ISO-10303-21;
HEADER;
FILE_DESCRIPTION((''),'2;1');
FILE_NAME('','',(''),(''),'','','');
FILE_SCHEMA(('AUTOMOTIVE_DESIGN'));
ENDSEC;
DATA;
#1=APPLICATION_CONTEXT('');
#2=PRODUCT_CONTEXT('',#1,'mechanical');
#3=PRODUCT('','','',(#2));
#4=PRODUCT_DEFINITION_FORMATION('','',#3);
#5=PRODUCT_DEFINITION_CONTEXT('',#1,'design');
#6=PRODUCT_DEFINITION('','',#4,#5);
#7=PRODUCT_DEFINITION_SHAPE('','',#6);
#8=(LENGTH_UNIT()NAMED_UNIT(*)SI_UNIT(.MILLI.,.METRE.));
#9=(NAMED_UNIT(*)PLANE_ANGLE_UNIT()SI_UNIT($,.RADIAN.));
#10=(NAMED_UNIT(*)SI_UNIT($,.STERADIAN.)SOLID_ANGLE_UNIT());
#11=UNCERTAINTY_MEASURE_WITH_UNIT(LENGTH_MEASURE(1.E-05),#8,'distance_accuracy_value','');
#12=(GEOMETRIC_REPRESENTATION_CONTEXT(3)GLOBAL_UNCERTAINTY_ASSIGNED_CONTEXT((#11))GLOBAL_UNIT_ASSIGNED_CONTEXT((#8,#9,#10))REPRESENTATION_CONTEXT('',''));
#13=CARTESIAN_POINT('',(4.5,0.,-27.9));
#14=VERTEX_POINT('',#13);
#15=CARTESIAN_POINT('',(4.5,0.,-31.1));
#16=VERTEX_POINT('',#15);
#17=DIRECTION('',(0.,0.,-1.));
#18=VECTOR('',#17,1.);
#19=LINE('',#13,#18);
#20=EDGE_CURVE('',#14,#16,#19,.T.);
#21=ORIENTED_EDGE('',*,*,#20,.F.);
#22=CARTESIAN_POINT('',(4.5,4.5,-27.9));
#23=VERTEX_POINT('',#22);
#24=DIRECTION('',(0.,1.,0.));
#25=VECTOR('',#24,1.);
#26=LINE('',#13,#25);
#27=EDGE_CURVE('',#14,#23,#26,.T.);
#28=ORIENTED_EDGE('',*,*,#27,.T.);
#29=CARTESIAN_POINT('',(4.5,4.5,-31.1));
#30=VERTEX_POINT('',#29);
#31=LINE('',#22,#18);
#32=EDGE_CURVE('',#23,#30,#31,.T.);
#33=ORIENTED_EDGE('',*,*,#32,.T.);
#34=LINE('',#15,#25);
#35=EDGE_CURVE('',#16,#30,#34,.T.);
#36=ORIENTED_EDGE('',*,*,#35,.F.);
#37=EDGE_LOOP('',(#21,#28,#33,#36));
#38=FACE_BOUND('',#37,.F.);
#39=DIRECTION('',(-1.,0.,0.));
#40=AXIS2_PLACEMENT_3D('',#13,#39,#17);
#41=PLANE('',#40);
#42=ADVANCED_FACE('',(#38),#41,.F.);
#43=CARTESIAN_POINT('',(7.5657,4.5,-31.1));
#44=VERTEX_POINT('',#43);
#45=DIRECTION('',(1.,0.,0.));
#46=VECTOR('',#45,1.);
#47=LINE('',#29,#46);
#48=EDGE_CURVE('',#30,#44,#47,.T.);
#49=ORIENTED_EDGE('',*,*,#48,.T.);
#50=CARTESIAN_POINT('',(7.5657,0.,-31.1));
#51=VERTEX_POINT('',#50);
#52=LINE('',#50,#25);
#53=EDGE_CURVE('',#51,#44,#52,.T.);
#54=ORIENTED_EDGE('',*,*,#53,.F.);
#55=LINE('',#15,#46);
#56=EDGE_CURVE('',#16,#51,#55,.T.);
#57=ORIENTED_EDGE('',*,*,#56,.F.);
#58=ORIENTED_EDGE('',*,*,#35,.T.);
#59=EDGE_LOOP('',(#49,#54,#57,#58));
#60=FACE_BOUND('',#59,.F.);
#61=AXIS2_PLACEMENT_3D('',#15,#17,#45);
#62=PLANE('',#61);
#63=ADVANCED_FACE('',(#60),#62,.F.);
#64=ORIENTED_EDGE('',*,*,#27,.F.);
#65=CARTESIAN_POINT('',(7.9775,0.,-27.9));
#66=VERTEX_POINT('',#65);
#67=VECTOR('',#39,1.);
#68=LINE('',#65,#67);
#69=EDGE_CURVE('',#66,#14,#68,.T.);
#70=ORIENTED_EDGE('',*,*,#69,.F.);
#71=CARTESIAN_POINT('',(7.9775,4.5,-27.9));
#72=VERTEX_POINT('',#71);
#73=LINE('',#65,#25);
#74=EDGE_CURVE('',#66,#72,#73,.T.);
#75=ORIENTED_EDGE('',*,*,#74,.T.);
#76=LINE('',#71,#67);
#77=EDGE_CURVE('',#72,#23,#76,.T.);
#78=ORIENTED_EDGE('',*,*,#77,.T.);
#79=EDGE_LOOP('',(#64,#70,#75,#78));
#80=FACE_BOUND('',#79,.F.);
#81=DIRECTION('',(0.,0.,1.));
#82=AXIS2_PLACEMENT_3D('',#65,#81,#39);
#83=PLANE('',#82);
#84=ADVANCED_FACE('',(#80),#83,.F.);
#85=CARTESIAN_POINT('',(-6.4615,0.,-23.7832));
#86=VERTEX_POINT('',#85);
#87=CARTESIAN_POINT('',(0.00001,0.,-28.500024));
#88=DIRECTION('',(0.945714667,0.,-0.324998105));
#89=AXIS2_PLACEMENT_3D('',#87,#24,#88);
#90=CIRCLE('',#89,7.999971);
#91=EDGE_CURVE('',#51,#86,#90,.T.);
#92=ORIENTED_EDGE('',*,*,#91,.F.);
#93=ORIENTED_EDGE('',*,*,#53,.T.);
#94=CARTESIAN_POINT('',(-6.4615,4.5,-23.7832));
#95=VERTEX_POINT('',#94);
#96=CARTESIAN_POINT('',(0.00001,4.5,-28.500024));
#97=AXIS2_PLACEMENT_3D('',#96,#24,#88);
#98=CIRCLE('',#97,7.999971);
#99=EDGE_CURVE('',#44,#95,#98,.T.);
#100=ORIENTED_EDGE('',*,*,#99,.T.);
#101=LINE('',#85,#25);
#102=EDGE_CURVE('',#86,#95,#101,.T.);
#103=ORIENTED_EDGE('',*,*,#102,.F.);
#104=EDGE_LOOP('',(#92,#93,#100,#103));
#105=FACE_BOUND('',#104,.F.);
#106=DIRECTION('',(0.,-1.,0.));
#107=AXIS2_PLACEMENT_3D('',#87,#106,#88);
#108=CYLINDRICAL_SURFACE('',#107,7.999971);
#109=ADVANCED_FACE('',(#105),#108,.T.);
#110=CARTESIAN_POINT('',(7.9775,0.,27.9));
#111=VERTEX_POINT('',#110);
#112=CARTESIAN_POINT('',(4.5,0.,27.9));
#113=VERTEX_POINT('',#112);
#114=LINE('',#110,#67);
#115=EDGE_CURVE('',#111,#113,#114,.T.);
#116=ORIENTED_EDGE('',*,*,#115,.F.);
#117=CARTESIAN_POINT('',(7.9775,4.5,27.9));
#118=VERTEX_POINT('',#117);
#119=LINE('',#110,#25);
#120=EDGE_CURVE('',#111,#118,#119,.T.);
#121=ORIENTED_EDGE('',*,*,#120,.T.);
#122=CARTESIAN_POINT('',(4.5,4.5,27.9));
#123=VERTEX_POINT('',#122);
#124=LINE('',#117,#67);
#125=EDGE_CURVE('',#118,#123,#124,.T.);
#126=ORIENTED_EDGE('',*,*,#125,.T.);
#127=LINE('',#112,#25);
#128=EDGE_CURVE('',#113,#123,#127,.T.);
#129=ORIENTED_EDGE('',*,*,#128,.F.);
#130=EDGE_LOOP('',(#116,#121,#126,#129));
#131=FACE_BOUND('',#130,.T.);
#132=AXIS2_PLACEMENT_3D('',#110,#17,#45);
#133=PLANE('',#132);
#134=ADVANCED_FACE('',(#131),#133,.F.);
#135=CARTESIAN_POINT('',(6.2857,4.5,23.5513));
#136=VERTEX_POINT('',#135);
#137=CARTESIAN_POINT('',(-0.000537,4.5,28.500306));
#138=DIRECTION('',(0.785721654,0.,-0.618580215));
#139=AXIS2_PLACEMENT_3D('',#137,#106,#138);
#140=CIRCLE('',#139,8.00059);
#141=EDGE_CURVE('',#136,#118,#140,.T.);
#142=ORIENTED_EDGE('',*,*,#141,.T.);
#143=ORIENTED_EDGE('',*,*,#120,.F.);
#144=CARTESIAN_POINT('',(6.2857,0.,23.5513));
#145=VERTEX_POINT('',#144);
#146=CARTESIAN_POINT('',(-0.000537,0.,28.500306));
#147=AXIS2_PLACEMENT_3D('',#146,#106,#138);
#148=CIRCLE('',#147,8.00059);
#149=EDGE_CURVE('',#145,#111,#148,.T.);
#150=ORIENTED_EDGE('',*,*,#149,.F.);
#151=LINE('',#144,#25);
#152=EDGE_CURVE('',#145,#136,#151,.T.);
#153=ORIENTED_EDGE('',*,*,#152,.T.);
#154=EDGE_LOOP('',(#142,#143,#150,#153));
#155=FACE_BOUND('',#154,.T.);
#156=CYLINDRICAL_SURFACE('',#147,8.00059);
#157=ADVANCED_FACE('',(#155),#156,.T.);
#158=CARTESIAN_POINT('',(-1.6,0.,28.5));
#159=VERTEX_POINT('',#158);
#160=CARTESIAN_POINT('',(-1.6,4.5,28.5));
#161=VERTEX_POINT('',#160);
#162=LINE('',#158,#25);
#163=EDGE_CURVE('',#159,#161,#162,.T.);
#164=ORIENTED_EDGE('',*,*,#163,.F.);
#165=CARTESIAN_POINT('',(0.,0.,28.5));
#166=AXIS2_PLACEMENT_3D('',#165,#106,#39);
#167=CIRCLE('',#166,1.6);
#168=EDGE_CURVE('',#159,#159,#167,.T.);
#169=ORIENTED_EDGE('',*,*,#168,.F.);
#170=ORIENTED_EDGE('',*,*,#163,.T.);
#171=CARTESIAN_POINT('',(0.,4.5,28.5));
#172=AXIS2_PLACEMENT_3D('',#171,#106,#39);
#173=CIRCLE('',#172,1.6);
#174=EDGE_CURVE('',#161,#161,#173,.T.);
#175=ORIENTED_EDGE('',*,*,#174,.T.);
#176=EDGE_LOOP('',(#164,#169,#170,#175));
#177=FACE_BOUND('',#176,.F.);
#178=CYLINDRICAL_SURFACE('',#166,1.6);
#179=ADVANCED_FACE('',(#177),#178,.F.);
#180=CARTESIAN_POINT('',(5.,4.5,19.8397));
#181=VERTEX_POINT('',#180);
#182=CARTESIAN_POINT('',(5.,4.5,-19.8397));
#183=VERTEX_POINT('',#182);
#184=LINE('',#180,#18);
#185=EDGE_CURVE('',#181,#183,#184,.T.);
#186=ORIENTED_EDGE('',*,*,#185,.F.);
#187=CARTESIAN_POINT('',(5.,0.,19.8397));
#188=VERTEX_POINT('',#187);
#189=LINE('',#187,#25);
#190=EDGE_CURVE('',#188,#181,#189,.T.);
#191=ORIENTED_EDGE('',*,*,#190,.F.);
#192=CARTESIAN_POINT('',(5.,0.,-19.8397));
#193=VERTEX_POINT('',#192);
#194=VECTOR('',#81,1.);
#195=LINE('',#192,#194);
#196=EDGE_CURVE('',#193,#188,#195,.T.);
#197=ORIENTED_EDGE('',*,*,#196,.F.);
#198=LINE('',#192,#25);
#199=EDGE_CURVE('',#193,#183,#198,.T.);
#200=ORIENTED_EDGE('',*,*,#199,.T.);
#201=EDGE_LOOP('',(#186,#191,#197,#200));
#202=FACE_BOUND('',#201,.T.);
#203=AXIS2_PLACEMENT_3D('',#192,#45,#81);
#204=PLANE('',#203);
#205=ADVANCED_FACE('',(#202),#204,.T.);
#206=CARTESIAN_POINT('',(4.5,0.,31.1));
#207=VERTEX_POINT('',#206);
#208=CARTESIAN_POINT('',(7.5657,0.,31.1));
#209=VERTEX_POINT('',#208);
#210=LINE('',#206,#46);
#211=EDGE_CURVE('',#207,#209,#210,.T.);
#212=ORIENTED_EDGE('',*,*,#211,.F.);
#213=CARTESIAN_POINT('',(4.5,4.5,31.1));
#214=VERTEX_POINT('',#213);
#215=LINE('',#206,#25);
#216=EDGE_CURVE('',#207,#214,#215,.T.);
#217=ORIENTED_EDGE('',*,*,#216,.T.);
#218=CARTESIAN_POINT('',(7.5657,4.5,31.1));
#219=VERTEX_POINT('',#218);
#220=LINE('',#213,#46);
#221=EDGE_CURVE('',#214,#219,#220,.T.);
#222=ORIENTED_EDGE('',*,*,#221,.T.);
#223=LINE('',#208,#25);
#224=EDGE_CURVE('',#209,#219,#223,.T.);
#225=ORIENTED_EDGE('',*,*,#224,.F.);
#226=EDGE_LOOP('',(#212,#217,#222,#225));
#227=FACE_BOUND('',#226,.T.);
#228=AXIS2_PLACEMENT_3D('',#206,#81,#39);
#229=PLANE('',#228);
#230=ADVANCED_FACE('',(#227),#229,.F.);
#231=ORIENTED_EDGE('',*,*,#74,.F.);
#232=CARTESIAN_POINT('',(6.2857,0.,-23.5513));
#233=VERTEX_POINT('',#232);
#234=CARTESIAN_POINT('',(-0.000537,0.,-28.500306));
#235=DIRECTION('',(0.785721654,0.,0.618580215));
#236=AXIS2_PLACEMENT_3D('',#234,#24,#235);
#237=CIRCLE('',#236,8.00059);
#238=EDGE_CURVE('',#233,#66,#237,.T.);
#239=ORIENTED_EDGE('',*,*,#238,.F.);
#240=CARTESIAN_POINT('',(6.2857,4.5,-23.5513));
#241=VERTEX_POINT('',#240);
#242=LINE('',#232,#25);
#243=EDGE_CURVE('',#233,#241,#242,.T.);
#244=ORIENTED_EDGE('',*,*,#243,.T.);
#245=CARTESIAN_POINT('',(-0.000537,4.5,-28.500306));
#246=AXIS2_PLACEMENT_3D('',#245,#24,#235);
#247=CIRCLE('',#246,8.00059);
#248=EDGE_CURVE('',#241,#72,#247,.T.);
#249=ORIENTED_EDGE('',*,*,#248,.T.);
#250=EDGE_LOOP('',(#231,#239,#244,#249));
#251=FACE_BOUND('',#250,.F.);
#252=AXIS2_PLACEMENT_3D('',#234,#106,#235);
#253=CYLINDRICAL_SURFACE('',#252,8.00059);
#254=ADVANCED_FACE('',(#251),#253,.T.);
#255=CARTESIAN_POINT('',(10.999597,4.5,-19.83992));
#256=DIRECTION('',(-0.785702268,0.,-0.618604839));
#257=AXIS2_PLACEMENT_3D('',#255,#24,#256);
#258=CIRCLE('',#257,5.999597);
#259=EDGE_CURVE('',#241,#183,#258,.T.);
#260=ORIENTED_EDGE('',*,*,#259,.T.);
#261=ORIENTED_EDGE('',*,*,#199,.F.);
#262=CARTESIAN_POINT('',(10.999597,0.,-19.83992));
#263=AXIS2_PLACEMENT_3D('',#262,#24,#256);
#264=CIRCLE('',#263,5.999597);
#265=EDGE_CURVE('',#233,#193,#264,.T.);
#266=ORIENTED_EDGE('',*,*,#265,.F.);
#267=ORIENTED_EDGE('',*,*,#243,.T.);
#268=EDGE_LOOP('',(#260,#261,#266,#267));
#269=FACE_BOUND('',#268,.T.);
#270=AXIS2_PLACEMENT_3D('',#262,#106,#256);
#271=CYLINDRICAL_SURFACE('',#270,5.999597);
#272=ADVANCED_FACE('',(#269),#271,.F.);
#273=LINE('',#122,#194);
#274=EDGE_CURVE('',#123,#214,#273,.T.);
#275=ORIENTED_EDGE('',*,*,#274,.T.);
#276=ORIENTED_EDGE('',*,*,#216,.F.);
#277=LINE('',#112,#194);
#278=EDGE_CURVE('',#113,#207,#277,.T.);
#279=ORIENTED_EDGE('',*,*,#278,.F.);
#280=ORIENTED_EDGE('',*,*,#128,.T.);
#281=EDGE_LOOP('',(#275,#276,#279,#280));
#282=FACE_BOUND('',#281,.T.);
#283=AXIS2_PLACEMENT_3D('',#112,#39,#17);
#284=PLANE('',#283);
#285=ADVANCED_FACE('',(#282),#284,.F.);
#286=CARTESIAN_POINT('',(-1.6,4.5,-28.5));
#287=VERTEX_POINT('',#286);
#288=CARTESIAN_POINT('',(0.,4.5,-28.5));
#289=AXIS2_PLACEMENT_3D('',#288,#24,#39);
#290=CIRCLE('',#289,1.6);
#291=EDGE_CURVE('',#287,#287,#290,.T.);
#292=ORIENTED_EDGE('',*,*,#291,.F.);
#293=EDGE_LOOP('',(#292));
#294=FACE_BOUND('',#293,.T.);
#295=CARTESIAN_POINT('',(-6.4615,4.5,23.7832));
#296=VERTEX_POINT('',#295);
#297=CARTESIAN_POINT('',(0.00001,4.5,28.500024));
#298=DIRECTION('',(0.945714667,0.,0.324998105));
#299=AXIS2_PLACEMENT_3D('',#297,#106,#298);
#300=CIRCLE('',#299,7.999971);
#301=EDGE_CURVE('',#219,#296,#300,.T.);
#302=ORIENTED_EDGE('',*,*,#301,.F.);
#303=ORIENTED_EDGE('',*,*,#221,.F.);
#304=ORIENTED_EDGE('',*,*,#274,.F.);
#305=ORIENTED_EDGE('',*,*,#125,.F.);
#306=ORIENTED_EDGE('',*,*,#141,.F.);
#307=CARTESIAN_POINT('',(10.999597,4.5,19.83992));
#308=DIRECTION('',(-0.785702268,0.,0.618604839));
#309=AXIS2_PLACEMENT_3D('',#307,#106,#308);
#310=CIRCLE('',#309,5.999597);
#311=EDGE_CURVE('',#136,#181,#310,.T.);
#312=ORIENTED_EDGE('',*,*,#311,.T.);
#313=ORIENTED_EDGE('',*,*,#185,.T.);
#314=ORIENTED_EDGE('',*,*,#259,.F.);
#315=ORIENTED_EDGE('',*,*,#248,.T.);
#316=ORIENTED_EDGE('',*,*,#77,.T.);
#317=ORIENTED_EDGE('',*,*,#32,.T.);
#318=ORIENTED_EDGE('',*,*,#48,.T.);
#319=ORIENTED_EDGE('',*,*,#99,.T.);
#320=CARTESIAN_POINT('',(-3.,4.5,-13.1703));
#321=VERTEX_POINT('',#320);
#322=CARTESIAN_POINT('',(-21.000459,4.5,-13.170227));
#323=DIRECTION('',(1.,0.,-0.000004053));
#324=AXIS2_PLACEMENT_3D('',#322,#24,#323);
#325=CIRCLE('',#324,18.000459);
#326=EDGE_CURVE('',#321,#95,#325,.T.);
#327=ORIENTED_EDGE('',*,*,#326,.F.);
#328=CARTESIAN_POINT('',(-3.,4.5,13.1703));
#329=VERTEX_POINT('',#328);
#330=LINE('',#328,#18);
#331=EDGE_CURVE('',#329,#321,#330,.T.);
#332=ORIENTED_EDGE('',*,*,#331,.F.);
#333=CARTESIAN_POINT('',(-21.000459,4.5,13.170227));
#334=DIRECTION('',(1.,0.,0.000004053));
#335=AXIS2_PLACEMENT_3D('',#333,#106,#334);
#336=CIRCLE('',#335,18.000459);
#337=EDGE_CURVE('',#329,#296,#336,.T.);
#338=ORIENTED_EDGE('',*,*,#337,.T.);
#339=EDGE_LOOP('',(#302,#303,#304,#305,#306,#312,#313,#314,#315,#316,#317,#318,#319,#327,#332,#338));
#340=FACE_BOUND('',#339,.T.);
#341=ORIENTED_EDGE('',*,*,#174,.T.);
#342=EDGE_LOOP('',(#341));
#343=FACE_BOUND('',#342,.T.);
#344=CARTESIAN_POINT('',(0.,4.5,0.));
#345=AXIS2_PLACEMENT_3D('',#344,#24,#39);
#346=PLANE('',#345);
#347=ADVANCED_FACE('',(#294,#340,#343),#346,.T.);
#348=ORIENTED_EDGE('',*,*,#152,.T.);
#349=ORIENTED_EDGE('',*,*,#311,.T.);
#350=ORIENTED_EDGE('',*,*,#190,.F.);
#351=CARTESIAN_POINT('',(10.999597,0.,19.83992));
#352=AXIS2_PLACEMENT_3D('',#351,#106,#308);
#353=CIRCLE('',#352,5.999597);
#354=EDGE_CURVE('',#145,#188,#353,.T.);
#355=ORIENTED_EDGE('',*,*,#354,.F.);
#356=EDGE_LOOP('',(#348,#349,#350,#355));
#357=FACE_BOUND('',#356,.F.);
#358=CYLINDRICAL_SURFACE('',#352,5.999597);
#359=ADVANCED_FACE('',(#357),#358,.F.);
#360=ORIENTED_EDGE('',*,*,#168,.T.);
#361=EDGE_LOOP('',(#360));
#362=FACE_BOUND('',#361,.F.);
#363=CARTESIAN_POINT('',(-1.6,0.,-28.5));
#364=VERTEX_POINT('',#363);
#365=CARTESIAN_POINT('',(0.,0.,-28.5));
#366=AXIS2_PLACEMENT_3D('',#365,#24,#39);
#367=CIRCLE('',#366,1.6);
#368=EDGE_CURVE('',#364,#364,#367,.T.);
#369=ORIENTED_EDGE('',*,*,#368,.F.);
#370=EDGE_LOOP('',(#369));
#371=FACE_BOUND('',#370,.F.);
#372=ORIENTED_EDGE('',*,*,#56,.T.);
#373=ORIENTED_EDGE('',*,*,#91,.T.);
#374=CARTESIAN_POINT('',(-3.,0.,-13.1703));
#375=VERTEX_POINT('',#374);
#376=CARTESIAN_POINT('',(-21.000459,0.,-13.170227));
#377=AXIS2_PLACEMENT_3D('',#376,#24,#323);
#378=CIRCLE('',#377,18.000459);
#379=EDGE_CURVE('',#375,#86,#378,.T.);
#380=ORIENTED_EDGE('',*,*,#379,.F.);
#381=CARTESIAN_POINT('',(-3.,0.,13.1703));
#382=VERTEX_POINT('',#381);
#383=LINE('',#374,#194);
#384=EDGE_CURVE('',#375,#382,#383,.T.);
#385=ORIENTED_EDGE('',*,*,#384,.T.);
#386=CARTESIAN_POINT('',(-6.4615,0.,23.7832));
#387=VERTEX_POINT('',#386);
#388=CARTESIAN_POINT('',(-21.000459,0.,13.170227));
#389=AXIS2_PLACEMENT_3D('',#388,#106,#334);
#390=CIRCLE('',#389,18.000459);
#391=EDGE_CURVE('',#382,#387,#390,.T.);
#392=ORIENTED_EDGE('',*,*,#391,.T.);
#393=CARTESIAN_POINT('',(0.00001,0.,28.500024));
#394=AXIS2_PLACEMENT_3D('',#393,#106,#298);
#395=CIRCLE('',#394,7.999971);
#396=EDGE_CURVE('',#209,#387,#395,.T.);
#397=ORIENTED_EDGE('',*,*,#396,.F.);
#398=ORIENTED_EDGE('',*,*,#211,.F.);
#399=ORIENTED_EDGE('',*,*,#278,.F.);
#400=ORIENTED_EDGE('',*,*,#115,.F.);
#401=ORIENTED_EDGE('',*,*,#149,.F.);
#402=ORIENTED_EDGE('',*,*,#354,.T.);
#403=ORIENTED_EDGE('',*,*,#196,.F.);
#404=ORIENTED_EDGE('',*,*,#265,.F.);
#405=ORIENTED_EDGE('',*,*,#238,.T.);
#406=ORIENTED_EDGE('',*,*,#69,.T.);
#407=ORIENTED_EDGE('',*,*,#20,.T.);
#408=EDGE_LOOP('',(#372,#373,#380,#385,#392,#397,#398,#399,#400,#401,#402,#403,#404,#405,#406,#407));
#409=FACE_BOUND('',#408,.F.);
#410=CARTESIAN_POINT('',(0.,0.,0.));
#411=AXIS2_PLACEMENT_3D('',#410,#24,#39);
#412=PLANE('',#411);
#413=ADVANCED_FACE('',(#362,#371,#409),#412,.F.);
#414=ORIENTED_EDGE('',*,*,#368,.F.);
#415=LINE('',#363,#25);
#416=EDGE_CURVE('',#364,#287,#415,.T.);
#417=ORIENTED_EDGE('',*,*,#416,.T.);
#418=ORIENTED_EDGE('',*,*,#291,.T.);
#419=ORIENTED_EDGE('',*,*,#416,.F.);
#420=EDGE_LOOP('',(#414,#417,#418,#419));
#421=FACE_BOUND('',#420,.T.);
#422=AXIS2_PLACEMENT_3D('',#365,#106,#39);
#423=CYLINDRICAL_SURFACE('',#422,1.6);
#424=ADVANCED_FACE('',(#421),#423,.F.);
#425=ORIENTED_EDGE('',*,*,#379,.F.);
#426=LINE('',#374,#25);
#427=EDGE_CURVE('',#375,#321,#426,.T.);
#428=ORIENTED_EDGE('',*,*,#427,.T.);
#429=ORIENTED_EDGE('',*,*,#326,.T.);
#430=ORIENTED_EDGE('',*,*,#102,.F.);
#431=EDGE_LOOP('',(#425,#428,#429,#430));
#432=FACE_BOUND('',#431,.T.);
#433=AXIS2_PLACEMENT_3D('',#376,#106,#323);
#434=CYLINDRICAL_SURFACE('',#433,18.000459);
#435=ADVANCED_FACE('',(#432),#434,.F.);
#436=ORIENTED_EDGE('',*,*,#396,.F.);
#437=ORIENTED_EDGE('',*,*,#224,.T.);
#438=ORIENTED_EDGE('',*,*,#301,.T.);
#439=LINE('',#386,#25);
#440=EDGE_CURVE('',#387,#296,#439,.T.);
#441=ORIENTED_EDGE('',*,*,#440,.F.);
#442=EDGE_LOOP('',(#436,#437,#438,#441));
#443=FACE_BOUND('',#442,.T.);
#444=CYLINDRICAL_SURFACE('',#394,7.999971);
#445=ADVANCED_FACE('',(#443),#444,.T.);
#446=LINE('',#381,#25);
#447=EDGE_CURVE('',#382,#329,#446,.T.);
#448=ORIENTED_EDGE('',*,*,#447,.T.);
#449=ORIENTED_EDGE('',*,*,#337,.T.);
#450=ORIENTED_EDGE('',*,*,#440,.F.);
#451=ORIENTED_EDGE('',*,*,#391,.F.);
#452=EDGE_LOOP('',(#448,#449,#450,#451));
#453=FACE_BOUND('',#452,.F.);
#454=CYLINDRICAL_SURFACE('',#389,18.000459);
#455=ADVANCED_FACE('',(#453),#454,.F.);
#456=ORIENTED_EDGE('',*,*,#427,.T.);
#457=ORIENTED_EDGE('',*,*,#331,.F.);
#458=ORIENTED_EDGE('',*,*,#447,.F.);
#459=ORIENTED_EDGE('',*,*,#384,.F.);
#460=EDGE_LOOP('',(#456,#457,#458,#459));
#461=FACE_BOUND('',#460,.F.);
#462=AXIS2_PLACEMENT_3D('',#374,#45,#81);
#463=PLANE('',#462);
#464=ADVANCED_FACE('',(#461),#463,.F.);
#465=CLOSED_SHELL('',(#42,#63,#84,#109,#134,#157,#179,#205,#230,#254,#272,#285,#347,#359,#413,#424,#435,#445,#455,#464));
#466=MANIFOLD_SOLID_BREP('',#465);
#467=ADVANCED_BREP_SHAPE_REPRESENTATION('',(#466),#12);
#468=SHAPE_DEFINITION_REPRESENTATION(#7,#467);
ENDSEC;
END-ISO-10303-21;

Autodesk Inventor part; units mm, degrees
ref_plane "YZ Plane" through (0, 0, 0) normal (1, 0, 0) x (0, 1, 0)
ref_plane "XZ Plane" through (0, 0, 0) normal (0, 1, 0) x (-1, 0, 0)
ref_plane "XY Plane" through (0, 0, 0) normal (0, 0, 1) x (1, 0, 0)
sketch "Sketch2" plane through (0, 0, 0) normal (0, 1, 0) x (-1, 0, 0)
  line L0 (3, -13.1703) -> (3, 0)
  line L1 (-7.9775, -27.9) -> (-4.5, -27.9)
  line L2 (-4.5, -27.9) -> (-4.5, -31.1)
  line L3 (-4.5, -31.1) -> (-7.5657, -31.1)
  circle A0 centre (0, -28.5) radius 1.6
  line L4 (-5, -19.8397) -> (-5, 0)
  arc A1 (-6.2857, -23.5513) -> (-7.9775, -27.9) centre (0, -28.5) ccw
  arc A2 (-7.5657, -31.1) -> (6.4615, -23.7832) centre (0, -28.5) ccw
  line L5 (62.6119, 0) -> (-52.77, 0)
  arc A3 (3, -13.1703) -> (6.4615, -23.7832) centre (21, -13.1703) ccw
  line L6 (3, 0) -> (-5, 0)
  arc A4 (-6.2857, -23.5513) -> (-5, -19.8397) centre (-11, -19.8397) ccw
  point P0 (0, 0)
  point P1 (0, 0)
  point P2 (-5, -22.255)
  point P3 (3, -21.0838)
  dimension "d3" = 0.6
  dimension "d4" = 3.2
  dimension "d5" = 3.2
  dimension "d6" = 4.5
  dimension "d8" = 57
  dimension "d9" = 3
  dimension "d10" = 5
  dimension "d11" = 8
  dimension "d12" = 18
  dimension "d15" = 6
extrude "Extrusion1" add sketch "Sketch2" along normal blind 4.5
mirror "Mirror1" about plane through (0, 0, 0) normal (0, 0, 1) of "Extrusion1"
properties part number "Spacer2"
